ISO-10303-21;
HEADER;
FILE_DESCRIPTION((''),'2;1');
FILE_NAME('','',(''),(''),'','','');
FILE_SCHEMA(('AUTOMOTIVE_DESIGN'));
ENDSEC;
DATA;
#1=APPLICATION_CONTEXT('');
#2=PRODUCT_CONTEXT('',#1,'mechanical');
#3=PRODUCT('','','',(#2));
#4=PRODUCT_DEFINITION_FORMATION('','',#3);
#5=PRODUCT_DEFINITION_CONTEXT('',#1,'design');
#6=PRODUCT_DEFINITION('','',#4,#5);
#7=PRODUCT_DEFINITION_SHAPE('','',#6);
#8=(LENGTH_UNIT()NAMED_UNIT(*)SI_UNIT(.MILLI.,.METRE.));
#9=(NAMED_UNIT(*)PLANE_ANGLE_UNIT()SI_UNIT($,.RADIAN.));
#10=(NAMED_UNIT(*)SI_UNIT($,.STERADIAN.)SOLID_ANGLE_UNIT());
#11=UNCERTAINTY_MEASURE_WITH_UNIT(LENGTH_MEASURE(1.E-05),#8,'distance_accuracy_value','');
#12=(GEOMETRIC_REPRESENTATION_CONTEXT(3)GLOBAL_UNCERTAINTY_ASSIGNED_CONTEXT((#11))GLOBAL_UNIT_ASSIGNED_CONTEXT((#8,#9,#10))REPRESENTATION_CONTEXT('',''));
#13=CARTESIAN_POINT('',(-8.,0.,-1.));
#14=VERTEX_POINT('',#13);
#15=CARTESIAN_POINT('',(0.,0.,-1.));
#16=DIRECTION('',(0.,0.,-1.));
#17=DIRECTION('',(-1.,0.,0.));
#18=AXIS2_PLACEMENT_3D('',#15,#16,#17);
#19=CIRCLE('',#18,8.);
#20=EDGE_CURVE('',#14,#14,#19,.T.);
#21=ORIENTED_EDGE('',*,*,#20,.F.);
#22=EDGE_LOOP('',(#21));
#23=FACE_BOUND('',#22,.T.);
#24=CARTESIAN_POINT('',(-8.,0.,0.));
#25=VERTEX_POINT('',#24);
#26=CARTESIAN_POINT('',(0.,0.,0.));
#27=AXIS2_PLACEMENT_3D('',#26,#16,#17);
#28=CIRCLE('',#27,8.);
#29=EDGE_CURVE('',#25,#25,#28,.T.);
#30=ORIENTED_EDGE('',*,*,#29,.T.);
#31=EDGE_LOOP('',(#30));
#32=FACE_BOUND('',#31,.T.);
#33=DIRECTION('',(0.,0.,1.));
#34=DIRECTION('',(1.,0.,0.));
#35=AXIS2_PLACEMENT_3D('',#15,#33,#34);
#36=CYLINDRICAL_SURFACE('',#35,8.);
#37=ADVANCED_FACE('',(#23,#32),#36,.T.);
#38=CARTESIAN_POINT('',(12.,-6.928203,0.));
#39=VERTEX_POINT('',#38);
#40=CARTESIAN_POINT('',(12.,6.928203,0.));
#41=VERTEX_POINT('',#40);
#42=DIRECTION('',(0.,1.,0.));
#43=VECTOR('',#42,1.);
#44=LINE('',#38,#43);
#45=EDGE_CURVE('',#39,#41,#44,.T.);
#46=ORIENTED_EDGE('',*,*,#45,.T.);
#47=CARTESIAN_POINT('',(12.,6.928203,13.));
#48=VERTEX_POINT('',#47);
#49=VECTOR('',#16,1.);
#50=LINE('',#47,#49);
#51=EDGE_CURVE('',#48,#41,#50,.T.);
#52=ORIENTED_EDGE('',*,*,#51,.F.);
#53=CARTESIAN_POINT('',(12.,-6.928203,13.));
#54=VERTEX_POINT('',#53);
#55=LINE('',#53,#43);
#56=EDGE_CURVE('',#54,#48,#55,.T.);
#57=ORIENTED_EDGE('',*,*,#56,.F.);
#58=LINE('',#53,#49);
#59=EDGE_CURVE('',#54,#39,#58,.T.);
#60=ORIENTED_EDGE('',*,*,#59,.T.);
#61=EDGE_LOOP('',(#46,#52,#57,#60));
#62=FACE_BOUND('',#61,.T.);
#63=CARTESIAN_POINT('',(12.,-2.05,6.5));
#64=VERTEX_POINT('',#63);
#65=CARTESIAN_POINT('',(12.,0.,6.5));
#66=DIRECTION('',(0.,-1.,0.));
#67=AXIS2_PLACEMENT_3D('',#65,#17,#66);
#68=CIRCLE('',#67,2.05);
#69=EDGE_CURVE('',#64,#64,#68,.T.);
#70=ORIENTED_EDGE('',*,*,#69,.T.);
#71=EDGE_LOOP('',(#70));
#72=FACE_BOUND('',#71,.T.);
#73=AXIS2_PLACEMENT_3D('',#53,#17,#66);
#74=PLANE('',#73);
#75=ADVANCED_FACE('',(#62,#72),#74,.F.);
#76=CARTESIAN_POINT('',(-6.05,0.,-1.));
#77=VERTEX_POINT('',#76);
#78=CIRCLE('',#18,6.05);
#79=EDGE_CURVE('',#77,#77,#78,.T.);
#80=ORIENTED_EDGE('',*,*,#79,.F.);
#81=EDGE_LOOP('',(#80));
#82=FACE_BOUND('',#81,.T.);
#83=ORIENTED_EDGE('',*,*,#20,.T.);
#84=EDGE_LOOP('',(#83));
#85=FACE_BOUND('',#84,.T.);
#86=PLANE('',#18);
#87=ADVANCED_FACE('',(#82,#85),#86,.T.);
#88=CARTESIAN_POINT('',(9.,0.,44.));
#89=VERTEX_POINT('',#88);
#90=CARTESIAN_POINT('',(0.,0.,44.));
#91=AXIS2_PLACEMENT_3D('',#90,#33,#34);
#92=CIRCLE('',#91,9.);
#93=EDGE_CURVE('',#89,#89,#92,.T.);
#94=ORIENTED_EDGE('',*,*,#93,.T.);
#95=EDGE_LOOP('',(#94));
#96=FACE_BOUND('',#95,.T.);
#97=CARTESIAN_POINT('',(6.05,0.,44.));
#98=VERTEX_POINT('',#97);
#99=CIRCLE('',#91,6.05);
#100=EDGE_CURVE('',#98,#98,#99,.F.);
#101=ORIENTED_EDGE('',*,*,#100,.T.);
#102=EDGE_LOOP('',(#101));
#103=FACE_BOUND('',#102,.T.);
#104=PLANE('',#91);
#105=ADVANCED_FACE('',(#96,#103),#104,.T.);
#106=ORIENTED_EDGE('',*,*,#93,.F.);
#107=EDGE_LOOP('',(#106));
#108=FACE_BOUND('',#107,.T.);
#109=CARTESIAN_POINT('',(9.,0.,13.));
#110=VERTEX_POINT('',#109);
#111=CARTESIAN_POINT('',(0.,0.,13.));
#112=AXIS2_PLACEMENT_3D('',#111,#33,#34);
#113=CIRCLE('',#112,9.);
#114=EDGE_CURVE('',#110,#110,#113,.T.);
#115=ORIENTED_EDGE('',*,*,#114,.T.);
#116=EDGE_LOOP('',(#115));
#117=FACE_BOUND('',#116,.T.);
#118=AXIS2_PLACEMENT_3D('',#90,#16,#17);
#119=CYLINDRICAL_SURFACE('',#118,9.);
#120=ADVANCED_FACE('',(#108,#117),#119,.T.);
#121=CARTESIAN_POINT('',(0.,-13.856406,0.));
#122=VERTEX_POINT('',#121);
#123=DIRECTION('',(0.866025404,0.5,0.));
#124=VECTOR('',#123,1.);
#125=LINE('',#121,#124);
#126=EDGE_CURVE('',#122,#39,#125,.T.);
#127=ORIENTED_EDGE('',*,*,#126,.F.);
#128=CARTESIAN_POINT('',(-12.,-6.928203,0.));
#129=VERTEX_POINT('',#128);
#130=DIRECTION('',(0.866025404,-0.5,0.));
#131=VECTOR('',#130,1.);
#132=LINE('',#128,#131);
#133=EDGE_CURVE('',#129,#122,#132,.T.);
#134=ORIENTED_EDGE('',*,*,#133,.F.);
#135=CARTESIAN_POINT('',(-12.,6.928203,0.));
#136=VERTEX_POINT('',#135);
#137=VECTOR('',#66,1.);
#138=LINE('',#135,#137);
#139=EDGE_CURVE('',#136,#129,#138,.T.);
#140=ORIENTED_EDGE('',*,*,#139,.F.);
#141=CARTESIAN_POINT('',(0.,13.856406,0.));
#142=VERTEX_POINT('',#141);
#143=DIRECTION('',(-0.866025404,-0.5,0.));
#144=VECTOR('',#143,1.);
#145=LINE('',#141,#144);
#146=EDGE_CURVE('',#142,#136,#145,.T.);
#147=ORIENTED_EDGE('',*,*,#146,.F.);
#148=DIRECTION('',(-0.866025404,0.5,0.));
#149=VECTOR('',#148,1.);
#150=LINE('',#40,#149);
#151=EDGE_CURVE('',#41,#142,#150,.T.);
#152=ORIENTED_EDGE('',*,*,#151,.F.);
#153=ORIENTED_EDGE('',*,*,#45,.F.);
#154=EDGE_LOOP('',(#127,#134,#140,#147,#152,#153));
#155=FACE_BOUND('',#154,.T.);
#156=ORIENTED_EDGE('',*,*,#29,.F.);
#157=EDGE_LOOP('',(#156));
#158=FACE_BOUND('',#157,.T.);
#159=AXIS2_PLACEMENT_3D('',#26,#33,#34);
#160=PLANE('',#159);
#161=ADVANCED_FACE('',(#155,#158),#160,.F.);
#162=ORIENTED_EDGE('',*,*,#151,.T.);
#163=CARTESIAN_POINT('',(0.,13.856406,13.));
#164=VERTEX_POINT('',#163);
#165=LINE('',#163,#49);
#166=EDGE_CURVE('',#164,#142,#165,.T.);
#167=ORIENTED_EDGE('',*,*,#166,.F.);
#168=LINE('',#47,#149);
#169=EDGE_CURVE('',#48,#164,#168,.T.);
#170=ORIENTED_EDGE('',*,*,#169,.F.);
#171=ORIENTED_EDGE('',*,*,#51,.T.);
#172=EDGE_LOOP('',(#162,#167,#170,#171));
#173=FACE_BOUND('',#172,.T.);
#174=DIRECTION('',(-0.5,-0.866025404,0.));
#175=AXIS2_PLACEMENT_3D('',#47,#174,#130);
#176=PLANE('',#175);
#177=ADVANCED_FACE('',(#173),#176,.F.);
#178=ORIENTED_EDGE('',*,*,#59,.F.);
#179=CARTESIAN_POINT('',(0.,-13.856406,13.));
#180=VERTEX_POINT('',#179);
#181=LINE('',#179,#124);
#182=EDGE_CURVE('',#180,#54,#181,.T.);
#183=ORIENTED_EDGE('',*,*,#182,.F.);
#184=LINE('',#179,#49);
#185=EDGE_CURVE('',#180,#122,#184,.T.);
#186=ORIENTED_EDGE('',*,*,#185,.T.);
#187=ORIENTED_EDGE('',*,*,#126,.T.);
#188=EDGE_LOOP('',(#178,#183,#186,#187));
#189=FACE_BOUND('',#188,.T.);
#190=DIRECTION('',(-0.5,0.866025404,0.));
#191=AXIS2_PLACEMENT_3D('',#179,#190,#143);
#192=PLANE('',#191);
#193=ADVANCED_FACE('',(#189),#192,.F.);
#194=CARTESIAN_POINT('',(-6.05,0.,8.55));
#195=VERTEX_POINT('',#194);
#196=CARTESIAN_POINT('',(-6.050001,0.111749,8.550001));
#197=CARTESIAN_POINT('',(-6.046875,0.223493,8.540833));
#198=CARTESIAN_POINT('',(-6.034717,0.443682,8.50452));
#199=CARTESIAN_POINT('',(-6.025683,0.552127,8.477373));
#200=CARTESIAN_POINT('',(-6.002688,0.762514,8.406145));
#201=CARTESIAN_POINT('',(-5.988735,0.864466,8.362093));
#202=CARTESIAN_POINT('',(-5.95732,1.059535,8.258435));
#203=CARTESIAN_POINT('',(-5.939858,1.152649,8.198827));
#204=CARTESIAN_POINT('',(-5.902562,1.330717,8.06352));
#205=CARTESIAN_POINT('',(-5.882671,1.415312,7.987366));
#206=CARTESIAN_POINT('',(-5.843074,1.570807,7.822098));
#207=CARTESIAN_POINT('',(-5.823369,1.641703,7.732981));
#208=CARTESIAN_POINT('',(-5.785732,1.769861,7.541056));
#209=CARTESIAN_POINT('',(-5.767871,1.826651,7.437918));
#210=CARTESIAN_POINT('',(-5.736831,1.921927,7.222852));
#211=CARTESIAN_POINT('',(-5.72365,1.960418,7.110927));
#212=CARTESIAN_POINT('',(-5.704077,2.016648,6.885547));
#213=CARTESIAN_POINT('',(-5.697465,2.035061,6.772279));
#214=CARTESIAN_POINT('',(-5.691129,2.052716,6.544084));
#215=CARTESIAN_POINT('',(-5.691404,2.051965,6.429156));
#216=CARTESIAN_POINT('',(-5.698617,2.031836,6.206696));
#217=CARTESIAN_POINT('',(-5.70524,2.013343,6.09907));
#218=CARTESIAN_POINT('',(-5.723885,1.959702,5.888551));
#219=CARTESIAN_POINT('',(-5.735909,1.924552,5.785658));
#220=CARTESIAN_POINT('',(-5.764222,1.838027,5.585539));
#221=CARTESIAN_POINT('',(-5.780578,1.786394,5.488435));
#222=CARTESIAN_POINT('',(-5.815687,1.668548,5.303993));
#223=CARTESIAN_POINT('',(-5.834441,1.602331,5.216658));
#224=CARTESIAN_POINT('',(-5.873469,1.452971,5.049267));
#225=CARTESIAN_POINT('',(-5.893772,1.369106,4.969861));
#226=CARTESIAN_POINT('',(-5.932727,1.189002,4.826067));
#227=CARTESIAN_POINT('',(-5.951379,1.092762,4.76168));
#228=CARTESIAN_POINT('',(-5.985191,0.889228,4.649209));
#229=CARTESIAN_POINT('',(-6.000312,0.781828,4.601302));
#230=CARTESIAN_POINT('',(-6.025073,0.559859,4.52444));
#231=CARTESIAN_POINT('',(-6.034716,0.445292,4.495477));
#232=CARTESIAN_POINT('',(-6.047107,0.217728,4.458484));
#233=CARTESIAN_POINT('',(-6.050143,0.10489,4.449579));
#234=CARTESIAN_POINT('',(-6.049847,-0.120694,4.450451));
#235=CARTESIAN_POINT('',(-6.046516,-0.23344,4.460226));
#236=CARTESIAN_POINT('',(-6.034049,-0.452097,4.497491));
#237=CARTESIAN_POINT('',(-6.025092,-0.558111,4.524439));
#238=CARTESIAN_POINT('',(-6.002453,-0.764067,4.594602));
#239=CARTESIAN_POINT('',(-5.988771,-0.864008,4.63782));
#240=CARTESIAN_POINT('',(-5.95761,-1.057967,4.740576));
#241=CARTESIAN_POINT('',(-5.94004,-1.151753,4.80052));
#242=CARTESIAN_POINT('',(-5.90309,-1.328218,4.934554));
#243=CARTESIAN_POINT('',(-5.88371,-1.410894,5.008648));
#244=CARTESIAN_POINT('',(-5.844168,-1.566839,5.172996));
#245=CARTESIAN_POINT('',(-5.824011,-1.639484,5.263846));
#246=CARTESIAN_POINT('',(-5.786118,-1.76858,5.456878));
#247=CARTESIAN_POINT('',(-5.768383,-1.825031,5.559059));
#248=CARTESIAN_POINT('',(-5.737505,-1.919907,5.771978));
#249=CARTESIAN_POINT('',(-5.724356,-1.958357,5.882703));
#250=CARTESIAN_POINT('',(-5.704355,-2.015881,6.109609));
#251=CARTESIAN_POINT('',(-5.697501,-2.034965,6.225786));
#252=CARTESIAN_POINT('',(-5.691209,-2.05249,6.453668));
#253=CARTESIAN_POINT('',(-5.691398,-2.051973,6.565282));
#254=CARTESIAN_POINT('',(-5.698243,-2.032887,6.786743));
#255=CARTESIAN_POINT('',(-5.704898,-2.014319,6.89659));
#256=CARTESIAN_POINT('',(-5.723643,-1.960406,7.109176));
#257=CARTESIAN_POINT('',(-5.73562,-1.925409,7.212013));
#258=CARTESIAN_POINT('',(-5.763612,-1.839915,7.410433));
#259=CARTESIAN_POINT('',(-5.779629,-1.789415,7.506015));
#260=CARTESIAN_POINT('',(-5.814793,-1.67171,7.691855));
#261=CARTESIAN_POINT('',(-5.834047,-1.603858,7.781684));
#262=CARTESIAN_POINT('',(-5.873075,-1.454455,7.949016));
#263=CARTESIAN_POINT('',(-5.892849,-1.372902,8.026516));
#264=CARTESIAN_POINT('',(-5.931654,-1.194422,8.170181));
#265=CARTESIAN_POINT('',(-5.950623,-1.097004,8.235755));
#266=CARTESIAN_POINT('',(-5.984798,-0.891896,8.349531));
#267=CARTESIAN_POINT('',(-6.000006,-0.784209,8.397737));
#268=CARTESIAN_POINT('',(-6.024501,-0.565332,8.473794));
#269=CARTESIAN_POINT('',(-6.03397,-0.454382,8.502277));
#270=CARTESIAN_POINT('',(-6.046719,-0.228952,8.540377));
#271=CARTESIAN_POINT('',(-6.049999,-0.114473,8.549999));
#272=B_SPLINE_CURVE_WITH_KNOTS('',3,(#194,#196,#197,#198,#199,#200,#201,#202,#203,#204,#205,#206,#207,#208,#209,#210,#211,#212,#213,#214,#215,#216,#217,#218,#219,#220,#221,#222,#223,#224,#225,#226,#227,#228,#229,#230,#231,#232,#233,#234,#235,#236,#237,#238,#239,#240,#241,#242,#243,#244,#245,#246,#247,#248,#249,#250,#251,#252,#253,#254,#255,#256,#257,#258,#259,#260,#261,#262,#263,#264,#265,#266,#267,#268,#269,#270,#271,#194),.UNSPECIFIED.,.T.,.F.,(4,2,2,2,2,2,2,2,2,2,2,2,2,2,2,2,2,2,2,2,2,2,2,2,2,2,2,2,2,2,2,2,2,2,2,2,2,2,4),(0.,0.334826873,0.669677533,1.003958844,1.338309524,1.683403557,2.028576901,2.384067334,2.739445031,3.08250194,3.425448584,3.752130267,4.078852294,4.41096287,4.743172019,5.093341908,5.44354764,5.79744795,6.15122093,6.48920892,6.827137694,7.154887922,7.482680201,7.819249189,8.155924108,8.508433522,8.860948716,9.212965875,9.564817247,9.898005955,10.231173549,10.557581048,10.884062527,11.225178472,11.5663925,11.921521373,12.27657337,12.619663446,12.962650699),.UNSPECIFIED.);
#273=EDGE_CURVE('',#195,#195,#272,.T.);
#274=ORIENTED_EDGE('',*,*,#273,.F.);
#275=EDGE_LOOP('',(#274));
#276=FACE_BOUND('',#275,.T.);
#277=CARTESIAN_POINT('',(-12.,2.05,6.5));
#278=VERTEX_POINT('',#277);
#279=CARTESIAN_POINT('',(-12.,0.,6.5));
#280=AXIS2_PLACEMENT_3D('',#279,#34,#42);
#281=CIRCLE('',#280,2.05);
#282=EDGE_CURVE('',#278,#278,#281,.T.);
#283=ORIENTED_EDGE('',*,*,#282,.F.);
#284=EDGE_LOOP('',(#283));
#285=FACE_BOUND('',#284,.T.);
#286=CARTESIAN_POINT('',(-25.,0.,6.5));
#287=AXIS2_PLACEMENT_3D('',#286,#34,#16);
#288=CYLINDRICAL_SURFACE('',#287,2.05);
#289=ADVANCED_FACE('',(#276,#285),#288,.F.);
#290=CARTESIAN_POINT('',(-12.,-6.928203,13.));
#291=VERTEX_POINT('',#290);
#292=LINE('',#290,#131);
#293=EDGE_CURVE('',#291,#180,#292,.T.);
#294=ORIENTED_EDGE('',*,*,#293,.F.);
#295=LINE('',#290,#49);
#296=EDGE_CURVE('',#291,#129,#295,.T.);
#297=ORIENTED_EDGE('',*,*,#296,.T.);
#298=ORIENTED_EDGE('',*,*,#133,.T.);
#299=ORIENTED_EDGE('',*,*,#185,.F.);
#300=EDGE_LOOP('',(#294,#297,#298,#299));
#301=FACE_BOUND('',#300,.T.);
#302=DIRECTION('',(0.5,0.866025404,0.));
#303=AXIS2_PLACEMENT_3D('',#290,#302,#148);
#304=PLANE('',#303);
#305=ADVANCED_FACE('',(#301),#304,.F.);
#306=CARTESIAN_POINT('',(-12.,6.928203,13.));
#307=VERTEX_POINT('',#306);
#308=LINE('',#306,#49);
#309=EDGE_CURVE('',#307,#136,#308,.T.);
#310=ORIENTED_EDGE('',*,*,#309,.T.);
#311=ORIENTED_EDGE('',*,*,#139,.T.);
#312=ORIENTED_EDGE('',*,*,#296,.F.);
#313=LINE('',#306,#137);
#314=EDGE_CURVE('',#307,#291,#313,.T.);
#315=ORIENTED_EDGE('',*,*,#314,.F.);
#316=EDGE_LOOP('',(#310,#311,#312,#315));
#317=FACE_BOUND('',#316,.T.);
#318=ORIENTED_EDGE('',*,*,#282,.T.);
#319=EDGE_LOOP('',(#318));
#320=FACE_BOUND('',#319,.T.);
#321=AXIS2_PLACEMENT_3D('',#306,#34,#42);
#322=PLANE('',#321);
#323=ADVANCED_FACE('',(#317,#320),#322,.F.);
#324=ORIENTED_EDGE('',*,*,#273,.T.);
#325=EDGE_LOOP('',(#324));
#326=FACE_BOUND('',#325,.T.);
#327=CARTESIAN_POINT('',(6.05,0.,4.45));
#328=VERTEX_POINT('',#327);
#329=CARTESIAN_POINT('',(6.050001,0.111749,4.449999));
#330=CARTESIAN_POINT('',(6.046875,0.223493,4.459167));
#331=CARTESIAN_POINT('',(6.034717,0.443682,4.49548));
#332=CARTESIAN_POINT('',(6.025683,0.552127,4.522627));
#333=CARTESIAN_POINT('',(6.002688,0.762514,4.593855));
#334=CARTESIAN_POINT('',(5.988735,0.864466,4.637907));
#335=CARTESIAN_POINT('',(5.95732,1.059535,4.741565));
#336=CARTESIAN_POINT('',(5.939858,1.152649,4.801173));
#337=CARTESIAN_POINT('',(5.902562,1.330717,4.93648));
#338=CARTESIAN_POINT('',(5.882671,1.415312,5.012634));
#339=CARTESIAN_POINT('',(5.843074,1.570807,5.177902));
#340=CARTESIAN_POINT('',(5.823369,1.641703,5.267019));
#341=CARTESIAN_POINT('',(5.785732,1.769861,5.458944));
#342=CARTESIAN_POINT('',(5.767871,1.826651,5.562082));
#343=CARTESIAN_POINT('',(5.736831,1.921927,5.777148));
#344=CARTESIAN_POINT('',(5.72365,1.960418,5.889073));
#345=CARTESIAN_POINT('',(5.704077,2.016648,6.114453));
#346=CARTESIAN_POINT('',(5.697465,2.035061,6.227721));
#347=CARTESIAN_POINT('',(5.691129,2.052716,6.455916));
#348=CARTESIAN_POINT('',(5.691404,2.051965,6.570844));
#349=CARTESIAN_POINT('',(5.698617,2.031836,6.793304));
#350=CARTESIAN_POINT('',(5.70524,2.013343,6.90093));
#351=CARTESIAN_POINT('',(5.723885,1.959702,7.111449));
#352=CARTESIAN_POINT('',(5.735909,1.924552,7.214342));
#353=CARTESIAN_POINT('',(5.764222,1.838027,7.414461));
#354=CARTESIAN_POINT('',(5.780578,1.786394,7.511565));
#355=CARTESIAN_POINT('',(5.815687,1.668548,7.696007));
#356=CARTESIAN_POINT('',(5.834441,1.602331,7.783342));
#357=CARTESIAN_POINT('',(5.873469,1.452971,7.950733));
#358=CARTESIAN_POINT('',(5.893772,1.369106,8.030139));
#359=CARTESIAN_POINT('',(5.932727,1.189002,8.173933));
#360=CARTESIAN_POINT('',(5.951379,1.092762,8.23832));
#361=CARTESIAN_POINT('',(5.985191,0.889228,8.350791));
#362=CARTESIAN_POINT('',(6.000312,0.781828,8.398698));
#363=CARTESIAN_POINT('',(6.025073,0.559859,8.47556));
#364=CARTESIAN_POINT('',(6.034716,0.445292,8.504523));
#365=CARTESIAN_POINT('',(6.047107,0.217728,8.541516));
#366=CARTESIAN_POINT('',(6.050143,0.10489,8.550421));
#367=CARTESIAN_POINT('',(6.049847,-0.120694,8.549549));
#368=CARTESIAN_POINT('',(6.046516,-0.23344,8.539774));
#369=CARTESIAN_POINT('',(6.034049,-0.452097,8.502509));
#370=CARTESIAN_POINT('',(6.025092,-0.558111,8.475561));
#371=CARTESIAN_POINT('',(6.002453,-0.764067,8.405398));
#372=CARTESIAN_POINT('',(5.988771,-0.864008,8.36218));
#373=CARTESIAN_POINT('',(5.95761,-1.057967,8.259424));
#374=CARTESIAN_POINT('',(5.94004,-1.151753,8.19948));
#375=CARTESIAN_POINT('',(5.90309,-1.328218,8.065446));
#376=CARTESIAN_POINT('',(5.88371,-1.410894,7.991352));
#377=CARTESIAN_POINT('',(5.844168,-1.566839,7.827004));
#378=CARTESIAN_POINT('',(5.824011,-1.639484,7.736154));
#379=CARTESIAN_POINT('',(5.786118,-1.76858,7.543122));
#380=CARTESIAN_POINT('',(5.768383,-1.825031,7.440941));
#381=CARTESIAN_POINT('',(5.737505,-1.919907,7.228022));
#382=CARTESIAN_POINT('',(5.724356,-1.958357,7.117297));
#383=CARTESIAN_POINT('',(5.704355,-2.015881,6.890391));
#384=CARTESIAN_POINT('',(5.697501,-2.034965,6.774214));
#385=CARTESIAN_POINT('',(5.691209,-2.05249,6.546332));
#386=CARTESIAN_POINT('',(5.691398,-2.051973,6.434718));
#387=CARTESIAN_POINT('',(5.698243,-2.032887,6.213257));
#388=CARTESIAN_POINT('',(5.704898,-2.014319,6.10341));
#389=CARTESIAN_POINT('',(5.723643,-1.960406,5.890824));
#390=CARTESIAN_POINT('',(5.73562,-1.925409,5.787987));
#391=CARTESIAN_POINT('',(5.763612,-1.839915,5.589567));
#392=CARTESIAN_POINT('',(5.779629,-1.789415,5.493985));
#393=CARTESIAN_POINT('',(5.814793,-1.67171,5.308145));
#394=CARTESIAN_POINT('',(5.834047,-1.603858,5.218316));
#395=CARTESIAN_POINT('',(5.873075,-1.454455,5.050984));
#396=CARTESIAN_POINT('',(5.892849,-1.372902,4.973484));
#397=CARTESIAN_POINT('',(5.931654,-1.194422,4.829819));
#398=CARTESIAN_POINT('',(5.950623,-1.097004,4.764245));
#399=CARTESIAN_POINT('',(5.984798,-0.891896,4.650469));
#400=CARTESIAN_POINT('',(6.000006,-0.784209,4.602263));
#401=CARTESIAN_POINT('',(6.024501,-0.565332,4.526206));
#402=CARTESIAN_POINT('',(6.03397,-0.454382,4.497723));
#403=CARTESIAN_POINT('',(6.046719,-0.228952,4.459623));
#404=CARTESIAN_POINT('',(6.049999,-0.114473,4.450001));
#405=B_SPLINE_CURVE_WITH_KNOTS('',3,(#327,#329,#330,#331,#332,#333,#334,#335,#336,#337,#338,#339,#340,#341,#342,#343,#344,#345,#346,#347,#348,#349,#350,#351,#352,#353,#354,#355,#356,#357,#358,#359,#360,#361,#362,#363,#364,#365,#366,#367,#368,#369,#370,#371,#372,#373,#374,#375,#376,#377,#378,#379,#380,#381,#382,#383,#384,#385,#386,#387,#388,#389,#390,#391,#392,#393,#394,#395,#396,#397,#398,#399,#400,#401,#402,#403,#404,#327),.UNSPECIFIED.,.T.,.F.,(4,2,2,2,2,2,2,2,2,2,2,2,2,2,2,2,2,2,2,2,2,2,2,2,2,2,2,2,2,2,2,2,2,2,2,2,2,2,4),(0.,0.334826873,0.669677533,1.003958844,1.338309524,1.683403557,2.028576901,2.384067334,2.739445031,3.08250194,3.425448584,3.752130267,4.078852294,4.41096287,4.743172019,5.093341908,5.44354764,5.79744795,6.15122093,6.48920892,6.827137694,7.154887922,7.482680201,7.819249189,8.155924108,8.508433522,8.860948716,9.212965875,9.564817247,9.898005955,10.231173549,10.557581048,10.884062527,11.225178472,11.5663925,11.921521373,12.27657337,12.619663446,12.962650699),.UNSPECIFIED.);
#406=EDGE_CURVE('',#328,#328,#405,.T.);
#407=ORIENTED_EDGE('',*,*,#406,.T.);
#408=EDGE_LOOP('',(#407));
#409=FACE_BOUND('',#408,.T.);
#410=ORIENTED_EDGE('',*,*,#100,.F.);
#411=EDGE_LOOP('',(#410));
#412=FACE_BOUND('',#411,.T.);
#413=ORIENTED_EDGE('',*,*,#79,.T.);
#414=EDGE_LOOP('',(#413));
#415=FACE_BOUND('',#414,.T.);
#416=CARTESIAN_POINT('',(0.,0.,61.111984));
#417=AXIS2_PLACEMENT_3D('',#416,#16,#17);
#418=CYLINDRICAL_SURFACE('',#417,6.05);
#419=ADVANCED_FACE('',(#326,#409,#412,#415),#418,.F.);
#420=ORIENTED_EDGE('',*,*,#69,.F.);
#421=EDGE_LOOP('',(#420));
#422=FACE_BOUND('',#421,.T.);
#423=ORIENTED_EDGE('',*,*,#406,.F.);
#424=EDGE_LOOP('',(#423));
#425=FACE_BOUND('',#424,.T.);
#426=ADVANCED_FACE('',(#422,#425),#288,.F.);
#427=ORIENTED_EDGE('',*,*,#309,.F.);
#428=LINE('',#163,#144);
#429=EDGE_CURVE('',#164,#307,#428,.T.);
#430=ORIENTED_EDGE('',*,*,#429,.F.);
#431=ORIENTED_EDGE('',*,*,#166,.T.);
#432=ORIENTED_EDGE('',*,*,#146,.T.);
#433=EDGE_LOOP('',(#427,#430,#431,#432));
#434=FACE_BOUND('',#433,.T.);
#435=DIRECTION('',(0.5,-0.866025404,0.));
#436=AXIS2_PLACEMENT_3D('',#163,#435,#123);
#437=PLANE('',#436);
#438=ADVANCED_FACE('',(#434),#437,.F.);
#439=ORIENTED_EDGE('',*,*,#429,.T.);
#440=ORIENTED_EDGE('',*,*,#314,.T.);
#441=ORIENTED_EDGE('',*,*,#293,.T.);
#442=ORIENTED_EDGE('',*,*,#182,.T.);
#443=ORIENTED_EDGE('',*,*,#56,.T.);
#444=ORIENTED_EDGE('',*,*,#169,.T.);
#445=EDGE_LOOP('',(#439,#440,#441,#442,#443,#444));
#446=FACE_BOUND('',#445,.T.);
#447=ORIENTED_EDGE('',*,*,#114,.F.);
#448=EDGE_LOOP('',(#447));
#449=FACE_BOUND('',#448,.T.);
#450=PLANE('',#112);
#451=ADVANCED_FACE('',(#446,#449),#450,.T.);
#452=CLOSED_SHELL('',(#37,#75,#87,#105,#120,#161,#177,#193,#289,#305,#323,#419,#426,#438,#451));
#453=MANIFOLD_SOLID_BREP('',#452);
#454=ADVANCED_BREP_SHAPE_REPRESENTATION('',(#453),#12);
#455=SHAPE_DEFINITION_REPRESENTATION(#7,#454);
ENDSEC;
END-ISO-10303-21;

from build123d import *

# Parameters (mm, degrees)
EXTRUDE_1_DEPTH     = 13
SKETCH_2_R          = 9
EXTRUDE_2_DEPTH     = 31
SKETCH_3_R          = 8
EXTRUDE_3_DEPTH     = 1
SKETCH_4_R          = 6.05
CUT_EXTRUDE_1_DEPTH = 45
SKETCH_5_R          = 2.05
CUT_EXTRUDE_2_DEPTH = 25


with BuildPart() as part:
    # 草图1 → 凸台-拉伸1 (new body)
    with BuildSketch(Plane.XY):
        Polygon((0, 13.856406461), (-12, 6.92820323), (-12, -6.92820323), (0, -13.856406461), (12, -6.92820323), (12, 6.92820323), align=None)
    extrude(amount=EXTRUDE_1_DEPTH)

    # 草图2 → 凸台-拉伸2 (add)
    with BuildSketch(Plane.XY.offset(13)):
        Circle(SKETCH_2_R)
    extrude(amount=EXTRUDE_2_DEPTH)

    # 草图3 → 凸台-拉伸3 (add)
    with BuildSketch(Plane(origin=(0, 0, 0), x_dir=(-1, 0, 0), z_dir=(0, 0, -1))):
        Circle(SKETCH_3_R)
    extrude(amount=EXTRUDE_3_DEPTH)

    # 草图4 → 切除-拉伸1 (cut)
    with BuildSketch(Plane(origin=(0, 0, -1), x_dir=(-1, 0, 0), z_dir=(0, 0, -1))):
        Circle(SKETCH_4_R)
    extrude(amount=-CUT_EXTRUDE_1_DEPTH, mode=Mode.SUBTRACT)

    # 草图5 → 切除-拉伸2 (cut, symmetric)
    with BuildSketch(Plane(origin=(0, 0, 0), x_dir=(0, 0, -1), z_dir=(1, 0, 0))):
        with Locations((-6.5, 0)):
            Circle(SKETCH_5_R)
    extrude(amount=CUT_EXTRUDE_2_DEPTH, both=True, mode=Mode.SUBTRACT)


solid = part.part
